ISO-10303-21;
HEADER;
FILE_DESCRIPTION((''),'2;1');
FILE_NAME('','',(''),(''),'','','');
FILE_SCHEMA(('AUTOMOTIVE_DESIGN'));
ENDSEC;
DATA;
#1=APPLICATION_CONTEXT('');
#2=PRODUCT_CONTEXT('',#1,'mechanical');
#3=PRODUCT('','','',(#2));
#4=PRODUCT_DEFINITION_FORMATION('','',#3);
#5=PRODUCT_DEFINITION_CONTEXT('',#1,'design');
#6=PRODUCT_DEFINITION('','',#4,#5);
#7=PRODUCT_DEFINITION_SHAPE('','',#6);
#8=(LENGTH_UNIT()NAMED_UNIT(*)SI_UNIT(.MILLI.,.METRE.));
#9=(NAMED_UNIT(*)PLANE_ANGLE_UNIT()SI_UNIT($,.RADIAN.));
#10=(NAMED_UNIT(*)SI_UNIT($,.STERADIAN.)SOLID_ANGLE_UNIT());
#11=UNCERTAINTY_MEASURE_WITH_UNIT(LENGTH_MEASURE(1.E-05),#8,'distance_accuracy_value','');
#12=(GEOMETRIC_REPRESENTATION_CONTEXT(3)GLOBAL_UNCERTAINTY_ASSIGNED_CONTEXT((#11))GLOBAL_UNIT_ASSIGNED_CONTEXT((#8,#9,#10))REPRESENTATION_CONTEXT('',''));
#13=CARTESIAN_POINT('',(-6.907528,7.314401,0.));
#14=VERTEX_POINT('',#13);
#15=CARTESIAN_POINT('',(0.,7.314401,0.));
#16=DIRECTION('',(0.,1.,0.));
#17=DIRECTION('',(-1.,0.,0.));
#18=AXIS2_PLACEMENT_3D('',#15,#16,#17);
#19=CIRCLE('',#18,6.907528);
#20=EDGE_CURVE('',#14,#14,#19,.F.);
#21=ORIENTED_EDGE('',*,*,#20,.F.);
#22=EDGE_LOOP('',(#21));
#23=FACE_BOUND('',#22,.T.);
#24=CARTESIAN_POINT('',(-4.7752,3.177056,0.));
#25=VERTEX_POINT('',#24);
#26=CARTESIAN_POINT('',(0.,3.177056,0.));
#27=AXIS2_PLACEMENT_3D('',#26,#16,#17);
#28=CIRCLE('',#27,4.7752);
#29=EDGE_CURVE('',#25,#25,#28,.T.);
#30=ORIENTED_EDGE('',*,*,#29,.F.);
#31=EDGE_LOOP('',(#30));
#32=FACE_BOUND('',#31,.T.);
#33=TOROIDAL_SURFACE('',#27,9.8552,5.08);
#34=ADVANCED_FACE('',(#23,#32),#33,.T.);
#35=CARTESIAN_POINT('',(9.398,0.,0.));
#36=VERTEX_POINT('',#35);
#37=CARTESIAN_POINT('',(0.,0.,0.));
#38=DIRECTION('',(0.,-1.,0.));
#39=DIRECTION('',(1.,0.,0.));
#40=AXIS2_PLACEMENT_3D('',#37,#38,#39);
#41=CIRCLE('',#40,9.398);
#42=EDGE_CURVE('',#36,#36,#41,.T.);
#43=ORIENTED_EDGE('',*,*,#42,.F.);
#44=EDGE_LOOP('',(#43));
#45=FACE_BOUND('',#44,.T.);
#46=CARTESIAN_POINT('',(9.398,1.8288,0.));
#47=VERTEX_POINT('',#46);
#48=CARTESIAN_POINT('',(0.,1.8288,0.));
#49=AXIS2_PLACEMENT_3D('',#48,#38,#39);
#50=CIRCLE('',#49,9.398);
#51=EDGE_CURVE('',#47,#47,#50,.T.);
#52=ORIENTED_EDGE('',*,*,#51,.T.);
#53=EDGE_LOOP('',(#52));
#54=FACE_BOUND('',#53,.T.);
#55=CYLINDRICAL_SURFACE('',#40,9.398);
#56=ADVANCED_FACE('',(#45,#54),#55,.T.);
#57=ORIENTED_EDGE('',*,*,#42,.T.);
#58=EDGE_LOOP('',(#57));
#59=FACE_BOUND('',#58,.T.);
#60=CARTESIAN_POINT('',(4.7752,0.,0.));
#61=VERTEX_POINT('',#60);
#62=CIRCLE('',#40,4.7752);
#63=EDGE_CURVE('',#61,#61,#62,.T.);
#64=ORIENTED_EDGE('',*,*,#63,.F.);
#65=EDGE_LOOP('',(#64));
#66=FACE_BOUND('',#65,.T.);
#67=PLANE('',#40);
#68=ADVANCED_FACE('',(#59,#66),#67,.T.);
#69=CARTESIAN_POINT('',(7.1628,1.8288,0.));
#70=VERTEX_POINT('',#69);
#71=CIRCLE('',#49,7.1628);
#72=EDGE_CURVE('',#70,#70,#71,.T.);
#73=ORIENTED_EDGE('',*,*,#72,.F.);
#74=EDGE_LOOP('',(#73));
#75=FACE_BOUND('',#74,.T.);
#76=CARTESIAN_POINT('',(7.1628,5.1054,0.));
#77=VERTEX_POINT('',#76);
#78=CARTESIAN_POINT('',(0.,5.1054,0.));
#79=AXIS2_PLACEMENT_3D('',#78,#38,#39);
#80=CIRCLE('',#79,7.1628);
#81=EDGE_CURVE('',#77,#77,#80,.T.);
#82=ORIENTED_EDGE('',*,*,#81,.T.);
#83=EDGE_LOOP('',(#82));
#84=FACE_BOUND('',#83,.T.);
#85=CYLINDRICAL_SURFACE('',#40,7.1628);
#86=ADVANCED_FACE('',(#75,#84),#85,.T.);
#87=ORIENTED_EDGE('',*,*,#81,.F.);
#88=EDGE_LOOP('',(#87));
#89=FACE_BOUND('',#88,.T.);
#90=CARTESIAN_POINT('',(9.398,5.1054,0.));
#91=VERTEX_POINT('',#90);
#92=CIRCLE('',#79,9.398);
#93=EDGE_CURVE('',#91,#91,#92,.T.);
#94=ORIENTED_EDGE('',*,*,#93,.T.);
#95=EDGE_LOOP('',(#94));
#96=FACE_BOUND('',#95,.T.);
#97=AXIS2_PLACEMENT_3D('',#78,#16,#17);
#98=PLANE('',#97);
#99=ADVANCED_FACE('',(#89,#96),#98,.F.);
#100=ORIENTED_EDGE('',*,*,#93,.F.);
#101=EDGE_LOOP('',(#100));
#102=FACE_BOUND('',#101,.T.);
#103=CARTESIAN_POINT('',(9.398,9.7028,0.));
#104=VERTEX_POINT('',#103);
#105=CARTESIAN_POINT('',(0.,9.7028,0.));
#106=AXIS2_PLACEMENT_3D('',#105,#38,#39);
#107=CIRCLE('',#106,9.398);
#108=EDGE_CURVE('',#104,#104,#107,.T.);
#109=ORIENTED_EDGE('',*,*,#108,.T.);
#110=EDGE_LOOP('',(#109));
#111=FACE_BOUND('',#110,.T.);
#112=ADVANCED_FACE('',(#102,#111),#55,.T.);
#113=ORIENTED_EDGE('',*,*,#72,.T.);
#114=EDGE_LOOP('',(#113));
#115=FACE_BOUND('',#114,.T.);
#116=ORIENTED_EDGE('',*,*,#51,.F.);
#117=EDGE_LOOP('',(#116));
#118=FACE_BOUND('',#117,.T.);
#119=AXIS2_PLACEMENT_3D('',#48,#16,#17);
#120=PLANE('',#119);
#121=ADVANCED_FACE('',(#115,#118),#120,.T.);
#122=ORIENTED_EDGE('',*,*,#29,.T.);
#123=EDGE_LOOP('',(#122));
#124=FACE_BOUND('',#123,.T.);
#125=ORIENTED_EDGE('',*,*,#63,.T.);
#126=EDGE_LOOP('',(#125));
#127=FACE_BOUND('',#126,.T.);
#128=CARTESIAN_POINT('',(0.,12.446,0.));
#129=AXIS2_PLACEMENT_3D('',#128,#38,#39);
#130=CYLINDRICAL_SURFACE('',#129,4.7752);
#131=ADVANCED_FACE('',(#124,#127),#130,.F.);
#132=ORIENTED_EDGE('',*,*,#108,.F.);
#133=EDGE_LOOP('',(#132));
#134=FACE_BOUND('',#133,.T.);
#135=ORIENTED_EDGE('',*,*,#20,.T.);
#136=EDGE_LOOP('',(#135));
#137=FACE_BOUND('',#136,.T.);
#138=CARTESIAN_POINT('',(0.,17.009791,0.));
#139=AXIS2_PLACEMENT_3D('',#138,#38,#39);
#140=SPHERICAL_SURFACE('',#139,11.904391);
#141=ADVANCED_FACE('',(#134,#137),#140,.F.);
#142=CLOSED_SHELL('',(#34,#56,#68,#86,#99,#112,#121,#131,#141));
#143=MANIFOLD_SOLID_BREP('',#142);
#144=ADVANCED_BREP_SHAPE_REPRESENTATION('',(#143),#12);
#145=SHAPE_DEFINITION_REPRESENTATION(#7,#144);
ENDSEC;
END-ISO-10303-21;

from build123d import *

# Parameters (mm, degrees)
SKETCH4_R          = 4.7752
CUT_EXTRUDE1_DEPTH = 12.446
FILLET2_R          = 5.08


with BuildPart() as part:
    # Sketch3 → Revolve3 (revolve)
    with BuildSketch(Plane.XY):
        with BuildLine():
            Line((0, 5.1054), (0, 0))
            Line((0, 0), (9.398, 0))
            Line((9.398, 0), (9.398, 1.8288))
            Line((9.398, 1.8288), (7.1628, 1.8288))
            Line((7.1628, 1.8288), (7.1628, 5.1054))
            Line((7.1628, 5.1054), (9.398, 5.1054))
            Line((9.398, 5.1054), (9.398, 9.7028))
            ThreePointArc((9.398, 9.7028), (5.231120596, 6.316339666), (0, 5.1054))
        make_face()
    revolve(axis=Axis((0, 0, 0), (0, 1, 0)))

    # Sketch4 → Cut-Extrude1 (cut)
    with BuildSketch(Plane.XZ):
        Circle(SKETCH4_R)
    extrude(amount=-CUT_EXTRUDE1_DEPTH, mode=Mode.SUBTRACT)

    # Fillet2
    fillet2_edges = [part.edges().sort_by_distance(p)[0] for p in [
        (-4.7752, 6.105113597, 0),
    ]]
    fillet(fillet2_edges, radius=FILLET2_R)


solid = part.part
